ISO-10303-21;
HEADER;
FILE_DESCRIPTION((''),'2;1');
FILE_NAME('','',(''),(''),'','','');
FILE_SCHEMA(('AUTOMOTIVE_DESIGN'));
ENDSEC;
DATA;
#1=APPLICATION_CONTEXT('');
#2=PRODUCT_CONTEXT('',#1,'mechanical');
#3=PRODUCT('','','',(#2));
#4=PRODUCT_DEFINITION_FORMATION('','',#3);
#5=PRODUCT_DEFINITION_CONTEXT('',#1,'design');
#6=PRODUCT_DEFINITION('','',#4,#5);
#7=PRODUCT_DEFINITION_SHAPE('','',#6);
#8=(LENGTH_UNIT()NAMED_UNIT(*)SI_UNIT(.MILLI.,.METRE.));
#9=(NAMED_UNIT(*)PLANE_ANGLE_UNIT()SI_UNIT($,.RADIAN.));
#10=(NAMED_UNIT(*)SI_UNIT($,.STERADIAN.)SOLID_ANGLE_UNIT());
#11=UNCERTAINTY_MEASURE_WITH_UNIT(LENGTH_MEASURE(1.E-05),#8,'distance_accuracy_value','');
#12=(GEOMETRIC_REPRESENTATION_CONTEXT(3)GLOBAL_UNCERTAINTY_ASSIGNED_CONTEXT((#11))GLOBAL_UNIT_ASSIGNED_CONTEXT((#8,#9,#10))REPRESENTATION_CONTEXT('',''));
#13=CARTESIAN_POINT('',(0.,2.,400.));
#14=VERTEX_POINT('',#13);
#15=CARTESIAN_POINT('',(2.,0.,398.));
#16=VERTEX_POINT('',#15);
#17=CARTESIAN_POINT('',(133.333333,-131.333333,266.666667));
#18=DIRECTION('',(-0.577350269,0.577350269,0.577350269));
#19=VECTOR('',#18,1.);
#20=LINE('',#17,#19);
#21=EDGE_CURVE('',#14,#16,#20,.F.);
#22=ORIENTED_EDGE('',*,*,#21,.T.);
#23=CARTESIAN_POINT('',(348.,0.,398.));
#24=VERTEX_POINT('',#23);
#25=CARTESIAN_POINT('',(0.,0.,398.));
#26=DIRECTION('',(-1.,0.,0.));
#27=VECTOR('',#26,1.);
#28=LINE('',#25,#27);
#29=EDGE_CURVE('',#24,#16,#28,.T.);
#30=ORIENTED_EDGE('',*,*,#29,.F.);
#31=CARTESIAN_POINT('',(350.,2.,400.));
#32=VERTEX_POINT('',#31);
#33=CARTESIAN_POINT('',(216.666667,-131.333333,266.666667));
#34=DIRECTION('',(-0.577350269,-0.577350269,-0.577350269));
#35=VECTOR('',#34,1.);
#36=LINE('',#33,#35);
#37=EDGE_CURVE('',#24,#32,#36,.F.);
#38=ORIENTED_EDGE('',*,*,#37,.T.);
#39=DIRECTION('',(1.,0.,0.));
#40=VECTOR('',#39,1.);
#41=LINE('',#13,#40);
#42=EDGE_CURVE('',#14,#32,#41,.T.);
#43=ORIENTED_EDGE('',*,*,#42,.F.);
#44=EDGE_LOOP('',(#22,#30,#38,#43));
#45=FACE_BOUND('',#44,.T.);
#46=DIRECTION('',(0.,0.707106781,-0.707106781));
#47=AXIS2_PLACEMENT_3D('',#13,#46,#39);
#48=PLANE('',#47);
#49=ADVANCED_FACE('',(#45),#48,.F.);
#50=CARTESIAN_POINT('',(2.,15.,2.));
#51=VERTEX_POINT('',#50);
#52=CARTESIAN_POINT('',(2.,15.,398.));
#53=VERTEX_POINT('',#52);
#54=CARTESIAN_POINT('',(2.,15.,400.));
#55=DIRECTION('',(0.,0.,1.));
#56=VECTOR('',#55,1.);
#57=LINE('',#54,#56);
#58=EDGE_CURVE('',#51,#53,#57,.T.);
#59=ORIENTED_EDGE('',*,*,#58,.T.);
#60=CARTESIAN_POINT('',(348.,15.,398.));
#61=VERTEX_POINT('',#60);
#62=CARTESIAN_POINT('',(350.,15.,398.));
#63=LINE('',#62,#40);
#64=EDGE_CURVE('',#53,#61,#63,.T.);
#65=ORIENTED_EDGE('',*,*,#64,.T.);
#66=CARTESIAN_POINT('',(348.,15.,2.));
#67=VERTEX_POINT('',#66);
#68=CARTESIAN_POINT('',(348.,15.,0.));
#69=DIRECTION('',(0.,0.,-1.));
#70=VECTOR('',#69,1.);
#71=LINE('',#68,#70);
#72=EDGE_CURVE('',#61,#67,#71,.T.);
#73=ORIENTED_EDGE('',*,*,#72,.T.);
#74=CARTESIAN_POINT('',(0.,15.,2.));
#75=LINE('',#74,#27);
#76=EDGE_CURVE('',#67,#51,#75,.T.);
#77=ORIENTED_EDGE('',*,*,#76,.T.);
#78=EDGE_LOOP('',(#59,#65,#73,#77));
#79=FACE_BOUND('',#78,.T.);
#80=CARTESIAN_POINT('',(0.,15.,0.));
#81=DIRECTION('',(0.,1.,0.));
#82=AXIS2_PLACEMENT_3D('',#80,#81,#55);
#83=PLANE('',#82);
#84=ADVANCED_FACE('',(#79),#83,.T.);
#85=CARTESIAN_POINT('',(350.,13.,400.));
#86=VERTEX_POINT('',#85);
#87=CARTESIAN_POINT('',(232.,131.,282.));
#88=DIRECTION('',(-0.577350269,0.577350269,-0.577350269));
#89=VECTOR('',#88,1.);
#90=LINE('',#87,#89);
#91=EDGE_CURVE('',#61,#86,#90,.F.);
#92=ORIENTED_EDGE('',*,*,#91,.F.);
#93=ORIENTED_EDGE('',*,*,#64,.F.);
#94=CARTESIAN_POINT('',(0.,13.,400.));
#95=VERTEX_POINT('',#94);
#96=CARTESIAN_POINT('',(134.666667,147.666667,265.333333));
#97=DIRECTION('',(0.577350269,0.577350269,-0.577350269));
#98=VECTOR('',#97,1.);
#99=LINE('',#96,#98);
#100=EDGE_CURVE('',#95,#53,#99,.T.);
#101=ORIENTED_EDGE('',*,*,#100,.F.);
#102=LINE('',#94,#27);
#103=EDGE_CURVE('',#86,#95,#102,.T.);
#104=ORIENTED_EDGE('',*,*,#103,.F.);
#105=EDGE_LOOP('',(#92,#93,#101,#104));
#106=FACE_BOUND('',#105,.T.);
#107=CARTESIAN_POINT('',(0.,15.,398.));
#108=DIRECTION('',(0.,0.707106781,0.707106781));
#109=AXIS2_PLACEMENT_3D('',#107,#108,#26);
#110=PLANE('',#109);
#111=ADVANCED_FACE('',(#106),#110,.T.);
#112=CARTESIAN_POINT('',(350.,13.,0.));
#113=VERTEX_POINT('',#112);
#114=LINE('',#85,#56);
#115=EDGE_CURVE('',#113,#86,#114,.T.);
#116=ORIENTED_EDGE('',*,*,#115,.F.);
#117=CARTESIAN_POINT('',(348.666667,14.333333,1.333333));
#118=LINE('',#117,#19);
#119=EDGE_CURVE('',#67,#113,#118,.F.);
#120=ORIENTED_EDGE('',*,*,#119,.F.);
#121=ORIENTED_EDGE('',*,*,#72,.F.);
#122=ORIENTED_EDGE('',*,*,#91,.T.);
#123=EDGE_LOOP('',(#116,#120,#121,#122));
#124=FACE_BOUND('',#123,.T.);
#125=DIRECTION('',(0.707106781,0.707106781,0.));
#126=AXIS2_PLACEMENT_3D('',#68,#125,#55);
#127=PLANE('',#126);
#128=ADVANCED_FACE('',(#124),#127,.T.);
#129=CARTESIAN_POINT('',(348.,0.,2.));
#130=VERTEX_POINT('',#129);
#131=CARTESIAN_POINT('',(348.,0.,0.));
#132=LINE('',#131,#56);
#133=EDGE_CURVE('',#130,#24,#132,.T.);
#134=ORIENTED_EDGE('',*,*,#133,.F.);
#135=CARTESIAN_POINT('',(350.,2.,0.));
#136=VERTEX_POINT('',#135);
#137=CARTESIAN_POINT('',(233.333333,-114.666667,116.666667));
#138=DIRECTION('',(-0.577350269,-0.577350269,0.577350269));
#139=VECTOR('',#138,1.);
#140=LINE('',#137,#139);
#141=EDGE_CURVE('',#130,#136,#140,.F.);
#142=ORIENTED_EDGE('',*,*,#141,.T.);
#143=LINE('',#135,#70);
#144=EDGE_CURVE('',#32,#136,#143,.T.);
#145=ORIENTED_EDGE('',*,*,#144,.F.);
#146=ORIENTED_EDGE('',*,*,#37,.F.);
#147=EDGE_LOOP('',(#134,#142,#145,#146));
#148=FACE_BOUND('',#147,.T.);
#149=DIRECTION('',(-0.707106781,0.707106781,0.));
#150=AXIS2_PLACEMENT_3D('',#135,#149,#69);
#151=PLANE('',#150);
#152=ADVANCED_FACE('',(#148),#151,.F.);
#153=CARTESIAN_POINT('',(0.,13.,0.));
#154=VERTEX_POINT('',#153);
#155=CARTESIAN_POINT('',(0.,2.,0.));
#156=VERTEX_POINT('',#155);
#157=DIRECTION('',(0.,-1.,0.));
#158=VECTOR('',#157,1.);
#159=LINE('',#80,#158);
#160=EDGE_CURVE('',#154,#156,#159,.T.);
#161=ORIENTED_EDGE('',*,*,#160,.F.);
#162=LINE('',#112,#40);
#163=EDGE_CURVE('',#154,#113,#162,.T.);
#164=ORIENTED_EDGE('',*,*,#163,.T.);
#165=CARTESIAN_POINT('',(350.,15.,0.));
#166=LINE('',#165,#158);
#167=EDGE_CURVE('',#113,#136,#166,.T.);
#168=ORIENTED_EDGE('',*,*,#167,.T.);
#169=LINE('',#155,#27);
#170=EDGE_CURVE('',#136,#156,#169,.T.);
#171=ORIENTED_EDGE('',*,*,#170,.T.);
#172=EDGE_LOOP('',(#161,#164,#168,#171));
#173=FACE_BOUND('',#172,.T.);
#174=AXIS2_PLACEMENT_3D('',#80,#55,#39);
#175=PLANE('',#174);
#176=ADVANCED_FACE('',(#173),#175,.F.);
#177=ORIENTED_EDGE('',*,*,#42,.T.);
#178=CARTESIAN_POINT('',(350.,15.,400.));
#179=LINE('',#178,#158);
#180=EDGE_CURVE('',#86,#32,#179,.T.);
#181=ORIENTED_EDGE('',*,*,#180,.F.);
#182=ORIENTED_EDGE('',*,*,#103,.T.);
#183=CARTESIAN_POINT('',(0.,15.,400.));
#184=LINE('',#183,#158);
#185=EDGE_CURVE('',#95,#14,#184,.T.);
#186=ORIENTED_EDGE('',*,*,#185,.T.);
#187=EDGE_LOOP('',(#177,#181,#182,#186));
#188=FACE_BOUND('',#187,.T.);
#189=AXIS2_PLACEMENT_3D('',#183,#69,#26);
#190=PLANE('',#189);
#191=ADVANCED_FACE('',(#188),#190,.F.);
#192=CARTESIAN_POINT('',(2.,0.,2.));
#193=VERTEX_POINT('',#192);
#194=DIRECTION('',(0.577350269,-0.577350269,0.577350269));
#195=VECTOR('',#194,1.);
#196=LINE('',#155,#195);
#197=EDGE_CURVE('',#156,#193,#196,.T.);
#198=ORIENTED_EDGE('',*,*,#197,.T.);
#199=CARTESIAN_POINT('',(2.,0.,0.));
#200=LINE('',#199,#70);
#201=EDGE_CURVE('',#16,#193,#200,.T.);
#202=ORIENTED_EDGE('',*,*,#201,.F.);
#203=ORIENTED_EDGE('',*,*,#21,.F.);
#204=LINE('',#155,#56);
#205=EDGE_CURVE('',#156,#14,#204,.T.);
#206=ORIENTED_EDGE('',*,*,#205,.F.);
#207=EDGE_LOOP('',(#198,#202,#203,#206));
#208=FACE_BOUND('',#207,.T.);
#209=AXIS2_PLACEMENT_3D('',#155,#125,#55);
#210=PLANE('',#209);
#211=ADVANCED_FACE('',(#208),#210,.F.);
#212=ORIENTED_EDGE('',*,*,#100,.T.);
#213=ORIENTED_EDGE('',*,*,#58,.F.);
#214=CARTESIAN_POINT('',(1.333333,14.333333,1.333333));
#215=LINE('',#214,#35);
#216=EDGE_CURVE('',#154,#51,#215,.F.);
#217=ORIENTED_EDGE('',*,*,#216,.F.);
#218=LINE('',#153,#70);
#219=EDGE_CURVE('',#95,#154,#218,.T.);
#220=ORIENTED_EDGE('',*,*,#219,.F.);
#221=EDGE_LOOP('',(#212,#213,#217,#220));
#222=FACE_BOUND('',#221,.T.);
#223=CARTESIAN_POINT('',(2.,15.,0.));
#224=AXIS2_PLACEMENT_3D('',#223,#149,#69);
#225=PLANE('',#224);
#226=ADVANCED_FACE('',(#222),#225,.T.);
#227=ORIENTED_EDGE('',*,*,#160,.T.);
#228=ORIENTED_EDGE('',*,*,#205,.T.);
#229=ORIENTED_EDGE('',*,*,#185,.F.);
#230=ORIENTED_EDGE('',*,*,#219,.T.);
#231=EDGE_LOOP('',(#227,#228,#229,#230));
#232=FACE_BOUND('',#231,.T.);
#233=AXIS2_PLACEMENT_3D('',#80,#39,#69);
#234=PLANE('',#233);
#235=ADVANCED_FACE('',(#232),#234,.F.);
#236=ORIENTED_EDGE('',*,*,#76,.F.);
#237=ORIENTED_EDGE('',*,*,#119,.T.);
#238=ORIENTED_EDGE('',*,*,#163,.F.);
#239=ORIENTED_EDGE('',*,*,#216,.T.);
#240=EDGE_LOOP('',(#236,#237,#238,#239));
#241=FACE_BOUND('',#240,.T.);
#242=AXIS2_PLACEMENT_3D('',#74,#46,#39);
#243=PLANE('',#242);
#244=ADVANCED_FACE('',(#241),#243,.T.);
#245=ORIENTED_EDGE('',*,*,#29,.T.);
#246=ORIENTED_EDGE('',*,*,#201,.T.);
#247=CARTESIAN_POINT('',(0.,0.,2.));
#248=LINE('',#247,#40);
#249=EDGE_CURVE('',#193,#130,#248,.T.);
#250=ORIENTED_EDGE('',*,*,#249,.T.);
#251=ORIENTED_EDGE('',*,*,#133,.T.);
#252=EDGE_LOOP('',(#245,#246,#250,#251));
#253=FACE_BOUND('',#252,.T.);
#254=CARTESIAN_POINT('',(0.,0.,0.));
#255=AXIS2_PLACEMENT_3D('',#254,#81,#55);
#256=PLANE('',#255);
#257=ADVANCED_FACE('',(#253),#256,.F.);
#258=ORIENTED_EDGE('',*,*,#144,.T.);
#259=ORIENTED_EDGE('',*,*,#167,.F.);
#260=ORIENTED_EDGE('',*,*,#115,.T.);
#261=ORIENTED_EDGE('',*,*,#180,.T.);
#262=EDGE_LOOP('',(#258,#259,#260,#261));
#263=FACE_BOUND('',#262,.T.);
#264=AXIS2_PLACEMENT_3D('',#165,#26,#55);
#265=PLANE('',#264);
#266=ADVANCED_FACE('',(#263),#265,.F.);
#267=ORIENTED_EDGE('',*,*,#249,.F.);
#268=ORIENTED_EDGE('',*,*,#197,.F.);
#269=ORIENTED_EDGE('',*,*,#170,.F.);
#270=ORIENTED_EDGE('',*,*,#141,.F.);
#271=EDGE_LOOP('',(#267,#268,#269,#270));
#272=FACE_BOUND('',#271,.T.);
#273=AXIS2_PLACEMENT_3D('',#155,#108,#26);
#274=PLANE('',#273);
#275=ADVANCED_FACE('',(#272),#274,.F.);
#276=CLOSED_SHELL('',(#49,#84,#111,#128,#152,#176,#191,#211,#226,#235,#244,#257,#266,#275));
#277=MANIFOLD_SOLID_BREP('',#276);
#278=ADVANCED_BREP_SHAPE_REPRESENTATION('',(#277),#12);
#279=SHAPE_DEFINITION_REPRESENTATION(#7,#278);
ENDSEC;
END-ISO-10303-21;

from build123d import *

# Parameters (mm, degrees)
SKETCH1_W           = 350
SKETCH1_H           = 400
BOSS_EXTRUDE1_DEPTH = 15
CHAMFER1_SIZE       = 2


with BuildPart() as part:
    # Sketch1 → Boss-Extrude1 (new body)
    with BuildSketch(Plane(origin=(0, 0, 0), x_dir=(1, 0, 0), z_dir=(0, 1, 0))):
        with Locations((175, -200)):
            Rectangle(SKETCH1_W, SKETCH1_H)
    extrude(amount=BOSS_EXTRUDE1_DEPTH)

    # Chamfer1
    chamfer1_edges = [part.edges().sort_by_distance(p)[0] for p in [
        (350, 15, 200),
        (175, 15, 0),
        (0, 15, 200),
        (175, 0, 0),
        (350, 0, 200),
        (175, 0, 400),
        (0, 0, 200),
        (175, 15, 400),
    ]]
    chamfer(chamfer1_edges, length=CHAMFER1_SIZE)


solid = part.part
